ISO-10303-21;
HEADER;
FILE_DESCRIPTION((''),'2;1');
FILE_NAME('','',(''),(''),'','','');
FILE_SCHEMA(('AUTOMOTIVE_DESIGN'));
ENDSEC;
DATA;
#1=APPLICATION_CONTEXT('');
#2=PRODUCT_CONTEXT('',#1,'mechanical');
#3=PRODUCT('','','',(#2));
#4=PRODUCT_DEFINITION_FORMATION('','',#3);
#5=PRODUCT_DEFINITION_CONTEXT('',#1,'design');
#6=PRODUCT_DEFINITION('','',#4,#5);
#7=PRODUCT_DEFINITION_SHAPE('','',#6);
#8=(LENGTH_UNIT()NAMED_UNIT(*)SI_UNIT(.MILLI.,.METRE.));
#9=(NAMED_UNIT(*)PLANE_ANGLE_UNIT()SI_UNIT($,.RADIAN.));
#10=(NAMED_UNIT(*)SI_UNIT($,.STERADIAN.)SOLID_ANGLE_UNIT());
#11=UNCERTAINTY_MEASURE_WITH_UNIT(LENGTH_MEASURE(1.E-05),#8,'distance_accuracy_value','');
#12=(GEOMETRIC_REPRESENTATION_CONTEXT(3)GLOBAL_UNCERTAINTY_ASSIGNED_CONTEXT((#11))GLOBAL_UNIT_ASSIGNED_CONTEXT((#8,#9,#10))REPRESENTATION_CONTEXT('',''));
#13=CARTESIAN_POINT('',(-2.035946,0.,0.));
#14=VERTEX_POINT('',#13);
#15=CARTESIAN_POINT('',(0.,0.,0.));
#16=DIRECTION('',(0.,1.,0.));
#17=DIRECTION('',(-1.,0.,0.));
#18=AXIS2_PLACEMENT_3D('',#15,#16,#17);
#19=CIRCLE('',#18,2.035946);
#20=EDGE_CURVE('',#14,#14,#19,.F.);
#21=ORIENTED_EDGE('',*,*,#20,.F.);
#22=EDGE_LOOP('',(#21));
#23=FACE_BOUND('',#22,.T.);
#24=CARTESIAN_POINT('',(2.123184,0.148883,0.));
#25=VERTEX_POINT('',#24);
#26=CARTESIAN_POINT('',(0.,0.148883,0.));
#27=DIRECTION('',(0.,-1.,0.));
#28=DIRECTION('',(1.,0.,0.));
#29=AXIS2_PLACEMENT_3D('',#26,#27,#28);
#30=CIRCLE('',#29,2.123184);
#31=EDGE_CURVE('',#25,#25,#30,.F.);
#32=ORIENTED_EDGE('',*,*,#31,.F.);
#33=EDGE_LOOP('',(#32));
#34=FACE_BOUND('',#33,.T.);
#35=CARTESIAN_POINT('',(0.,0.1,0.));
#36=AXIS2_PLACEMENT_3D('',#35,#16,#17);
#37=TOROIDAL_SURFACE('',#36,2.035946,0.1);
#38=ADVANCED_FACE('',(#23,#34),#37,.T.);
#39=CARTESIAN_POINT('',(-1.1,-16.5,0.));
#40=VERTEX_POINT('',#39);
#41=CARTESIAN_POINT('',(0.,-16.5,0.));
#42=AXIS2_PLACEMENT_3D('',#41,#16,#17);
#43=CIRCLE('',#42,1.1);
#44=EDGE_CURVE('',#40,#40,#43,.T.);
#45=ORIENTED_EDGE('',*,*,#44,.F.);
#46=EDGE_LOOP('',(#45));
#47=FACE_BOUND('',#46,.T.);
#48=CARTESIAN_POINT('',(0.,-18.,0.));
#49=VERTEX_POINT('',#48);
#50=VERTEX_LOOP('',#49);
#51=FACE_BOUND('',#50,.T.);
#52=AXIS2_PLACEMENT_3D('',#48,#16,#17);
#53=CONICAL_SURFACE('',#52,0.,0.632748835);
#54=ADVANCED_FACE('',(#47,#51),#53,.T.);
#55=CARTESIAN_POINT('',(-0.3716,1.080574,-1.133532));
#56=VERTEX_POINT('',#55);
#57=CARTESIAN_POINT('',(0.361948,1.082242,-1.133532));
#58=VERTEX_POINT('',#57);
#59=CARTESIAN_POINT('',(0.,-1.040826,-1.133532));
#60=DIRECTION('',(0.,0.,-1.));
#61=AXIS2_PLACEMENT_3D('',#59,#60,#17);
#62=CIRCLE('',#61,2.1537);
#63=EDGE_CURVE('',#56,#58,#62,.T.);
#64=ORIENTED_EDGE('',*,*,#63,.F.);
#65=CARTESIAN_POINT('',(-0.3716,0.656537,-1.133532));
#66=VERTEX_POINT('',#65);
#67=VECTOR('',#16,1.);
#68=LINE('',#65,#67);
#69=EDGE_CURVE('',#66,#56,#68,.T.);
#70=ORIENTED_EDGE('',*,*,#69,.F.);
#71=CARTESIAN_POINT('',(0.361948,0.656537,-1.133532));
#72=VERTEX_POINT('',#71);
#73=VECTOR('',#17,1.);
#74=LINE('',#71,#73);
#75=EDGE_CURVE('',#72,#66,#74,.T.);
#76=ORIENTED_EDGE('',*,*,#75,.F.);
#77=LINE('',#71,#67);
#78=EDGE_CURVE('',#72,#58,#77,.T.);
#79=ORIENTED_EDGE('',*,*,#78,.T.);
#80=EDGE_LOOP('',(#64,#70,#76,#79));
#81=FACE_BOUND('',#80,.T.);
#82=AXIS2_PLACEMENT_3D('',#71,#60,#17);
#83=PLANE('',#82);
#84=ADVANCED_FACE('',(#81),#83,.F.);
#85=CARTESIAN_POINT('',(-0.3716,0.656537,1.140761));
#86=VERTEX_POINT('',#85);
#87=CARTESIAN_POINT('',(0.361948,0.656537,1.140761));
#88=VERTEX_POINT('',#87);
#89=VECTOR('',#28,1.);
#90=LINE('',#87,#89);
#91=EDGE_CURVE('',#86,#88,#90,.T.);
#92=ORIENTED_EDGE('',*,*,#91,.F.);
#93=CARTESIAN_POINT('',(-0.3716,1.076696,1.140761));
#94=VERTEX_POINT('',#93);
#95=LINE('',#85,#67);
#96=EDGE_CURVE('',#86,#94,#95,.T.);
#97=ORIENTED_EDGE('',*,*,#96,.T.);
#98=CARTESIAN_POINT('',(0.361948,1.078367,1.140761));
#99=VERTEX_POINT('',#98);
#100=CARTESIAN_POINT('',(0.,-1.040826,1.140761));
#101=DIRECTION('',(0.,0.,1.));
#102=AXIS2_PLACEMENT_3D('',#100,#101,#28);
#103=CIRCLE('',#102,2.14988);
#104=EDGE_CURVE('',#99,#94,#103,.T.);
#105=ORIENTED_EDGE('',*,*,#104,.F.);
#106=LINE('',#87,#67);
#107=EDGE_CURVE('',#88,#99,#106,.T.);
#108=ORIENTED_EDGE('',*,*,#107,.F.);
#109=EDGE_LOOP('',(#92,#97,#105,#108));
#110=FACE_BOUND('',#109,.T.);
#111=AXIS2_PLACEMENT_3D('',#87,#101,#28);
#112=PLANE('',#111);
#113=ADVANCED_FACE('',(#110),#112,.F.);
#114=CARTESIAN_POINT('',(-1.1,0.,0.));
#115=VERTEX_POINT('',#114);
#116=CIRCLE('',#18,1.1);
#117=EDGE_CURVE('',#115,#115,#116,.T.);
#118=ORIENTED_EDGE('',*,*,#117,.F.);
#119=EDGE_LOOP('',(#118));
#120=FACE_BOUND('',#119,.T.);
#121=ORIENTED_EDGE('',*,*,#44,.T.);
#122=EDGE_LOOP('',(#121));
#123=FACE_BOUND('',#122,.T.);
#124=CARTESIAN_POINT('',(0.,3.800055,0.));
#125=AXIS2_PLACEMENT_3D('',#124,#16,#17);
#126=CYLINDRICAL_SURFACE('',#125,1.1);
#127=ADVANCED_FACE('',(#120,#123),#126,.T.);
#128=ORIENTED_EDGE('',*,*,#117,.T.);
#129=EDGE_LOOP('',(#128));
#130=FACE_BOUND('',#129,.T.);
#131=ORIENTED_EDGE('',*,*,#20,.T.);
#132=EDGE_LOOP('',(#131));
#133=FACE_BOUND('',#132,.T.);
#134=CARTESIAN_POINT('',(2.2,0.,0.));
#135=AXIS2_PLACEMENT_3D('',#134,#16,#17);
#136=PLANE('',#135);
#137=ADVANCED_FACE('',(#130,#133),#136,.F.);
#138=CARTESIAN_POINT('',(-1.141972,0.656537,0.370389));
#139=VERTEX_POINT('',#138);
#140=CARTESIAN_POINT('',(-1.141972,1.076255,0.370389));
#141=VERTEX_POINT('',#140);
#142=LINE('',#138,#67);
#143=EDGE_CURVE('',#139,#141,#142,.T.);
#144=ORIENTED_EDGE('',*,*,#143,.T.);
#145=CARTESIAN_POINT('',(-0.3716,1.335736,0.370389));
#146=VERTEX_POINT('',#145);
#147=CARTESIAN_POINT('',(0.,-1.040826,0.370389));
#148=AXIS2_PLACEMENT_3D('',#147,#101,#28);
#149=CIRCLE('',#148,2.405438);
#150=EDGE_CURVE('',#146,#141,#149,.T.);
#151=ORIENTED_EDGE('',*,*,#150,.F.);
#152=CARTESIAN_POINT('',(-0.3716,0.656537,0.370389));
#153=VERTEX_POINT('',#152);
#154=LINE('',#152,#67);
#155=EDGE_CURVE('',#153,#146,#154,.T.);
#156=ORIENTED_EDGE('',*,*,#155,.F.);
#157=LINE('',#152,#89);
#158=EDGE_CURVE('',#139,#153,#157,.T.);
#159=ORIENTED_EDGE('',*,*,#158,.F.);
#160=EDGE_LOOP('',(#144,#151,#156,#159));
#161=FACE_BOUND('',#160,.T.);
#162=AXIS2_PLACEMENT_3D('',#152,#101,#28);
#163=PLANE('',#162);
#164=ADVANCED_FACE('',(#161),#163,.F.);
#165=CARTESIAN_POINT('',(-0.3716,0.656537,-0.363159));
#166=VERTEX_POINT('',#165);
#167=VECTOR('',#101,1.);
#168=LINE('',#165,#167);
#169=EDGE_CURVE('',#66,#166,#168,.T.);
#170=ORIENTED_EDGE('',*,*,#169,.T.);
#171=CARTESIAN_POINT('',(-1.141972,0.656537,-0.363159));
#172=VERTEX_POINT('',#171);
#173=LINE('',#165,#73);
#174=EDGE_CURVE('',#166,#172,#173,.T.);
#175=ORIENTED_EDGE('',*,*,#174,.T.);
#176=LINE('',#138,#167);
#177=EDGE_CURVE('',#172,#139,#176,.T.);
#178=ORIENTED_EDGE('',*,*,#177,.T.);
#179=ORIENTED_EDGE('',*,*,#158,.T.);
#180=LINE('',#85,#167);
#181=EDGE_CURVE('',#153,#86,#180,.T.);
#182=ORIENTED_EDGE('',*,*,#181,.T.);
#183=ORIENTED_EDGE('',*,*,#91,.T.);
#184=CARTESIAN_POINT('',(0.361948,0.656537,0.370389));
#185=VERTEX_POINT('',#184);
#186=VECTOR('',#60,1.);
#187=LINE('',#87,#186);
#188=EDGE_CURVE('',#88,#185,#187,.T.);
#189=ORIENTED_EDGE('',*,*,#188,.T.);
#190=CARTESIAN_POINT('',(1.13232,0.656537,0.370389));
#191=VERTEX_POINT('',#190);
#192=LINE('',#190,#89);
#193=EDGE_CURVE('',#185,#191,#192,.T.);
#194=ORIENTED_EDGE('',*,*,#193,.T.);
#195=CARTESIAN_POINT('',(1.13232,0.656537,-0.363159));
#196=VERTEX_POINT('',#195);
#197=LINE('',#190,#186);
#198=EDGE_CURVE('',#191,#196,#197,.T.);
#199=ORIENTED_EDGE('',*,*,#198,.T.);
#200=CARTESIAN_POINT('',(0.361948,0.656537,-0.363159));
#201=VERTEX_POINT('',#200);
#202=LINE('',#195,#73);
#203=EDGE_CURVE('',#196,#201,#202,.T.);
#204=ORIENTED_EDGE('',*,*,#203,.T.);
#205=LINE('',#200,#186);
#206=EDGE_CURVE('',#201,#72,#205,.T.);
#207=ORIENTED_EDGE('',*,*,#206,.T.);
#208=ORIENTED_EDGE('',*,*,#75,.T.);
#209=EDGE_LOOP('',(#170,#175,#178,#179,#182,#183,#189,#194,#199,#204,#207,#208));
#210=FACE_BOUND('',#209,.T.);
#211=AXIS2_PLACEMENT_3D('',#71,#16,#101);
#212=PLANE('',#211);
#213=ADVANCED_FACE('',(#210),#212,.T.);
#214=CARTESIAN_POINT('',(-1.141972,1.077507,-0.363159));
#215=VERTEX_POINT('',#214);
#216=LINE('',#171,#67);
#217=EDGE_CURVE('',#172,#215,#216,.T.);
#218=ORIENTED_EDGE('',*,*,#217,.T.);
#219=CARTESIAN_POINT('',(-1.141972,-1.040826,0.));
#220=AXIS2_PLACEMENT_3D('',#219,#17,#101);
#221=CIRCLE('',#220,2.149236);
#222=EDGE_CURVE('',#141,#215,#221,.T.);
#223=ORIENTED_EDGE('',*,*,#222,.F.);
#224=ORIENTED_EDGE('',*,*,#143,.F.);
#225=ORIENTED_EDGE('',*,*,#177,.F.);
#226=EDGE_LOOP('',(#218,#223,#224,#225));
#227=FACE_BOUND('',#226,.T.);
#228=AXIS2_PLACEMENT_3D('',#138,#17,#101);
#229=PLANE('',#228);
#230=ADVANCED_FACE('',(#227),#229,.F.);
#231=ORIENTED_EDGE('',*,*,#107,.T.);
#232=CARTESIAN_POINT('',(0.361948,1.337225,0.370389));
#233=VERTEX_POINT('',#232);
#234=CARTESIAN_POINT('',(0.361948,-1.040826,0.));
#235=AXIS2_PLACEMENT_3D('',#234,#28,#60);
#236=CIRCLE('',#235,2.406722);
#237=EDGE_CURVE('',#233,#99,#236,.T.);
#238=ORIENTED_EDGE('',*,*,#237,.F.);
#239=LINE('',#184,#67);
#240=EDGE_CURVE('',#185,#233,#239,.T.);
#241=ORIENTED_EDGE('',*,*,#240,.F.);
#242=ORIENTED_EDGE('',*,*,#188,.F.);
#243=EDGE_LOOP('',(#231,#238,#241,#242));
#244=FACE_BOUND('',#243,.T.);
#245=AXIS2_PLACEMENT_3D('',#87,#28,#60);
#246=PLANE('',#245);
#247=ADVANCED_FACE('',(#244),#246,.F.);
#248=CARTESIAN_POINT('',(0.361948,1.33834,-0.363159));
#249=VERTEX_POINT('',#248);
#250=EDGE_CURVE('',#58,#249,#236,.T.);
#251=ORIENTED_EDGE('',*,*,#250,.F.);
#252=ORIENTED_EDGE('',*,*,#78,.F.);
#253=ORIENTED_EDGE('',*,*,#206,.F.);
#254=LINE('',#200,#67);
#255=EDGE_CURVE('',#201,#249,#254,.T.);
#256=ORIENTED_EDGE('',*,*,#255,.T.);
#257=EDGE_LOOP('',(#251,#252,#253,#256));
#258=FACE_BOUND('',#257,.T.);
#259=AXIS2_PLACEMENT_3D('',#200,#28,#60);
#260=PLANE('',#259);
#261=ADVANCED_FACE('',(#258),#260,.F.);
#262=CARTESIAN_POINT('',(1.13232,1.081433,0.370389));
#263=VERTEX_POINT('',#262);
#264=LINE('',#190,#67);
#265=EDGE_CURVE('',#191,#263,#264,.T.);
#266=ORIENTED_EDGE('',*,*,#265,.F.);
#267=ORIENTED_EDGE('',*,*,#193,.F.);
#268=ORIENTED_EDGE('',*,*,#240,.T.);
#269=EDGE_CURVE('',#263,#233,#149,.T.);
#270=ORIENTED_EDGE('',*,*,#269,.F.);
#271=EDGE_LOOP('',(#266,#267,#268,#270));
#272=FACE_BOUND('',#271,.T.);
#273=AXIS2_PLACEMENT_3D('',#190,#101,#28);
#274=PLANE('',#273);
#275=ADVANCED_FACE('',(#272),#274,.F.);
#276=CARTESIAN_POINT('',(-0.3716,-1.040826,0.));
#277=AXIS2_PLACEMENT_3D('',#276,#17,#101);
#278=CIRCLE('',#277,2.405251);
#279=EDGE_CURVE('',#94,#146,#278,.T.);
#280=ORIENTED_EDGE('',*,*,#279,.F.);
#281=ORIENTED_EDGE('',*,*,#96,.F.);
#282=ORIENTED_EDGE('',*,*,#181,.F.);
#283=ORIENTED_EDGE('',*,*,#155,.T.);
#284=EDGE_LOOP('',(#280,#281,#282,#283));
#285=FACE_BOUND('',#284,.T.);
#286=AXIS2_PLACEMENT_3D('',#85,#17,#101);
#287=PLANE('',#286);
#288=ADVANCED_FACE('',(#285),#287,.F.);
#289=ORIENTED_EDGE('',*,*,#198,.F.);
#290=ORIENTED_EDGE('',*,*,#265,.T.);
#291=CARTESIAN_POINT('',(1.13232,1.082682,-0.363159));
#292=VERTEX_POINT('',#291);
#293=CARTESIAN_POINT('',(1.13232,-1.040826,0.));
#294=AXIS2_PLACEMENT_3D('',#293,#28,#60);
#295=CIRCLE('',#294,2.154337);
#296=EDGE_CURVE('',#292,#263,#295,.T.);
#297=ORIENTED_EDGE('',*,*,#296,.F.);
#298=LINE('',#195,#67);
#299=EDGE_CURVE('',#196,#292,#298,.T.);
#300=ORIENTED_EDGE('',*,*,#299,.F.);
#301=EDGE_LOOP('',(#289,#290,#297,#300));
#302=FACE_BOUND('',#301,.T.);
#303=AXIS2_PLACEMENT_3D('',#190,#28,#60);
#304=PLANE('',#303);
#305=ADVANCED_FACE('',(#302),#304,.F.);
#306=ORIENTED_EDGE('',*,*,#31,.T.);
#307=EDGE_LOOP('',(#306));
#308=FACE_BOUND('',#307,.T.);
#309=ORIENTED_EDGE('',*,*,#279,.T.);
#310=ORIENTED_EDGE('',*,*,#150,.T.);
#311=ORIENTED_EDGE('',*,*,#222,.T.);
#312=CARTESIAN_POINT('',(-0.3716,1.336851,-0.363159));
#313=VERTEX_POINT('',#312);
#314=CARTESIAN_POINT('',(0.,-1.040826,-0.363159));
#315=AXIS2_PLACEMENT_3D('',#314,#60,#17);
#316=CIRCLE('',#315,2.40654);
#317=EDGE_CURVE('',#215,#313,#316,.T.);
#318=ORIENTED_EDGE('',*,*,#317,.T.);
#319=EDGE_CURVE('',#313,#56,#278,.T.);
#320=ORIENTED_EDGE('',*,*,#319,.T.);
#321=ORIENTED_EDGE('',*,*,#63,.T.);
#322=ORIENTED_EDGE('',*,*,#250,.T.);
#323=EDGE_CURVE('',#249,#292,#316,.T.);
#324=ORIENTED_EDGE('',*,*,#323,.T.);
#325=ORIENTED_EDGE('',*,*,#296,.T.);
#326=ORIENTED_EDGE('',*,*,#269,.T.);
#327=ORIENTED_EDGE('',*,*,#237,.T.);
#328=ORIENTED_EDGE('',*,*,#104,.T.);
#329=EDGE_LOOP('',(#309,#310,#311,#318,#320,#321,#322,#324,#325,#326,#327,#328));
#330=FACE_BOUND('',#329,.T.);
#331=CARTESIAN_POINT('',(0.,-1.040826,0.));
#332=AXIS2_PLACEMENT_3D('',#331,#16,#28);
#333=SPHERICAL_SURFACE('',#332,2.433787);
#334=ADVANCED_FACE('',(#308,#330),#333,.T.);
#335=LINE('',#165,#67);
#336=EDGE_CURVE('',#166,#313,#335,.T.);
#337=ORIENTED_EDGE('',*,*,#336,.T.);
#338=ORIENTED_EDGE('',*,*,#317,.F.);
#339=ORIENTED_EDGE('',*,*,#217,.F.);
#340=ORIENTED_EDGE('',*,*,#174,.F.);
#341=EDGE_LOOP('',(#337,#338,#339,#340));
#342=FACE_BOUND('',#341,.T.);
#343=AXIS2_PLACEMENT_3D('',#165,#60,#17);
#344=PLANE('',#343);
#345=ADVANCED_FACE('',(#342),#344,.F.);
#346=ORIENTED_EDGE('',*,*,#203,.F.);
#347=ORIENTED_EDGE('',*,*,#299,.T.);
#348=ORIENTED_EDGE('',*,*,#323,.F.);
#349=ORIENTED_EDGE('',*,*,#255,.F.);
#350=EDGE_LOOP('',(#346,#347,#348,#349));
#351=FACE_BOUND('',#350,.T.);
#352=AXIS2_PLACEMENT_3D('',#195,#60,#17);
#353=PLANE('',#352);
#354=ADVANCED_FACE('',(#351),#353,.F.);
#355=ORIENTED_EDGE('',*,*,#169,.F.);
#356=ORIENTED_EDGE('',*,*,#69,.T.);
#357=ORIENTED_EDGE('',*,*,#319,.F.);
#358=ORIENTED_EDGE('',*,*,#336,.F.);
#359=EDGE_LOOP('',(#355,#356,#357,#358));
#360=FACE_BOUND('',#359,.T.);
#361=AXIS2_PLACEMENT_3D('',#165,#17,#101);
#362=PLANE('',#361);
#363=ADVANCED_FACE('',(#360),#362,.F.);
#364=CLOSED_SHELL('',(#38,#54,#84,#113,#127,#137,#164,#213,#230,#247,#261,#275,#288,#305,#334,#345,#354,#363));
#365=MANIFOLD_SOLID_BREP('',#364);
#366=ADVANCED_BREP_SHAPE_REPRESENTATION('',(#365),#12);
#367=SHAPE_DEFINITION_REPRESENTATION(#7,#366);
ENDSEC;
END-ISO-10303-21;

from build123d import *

# Parameters (mm, degrees)
CONG_1_R                = 0.1
ENL_V_MAT_EXTRU_1_DEPTH = 0.5


with BuildPart() as part:
    # Esquisse1 → Révolution1 (revolve)
    with BuildSketch(Plane.XY):
        with BuildLine():
            Line((2.2, 0), (1.1, 0))
            Line((1.1, 0), (1.1, -16.5))
            Line((1.1, -16.5), (0, -18))
            Line((0, -18), (0, 1.392961166))
            ThreePointArc((0, 1.392961166), (1.301954378, 1.015441113), (2.2, 0))
        make_face()
    revolve(axis=Axis((0, 3.800054794, 0), (0, -1, 0)))

    # Congé1
    cong_1_edges = [part.edges().sort_by_distance(p)[0] for p in [
        (-2.2, 0, 0),
    ]]
    fillet(cong_1_edges, radius=CONG_1_R)

    # Esquisse2 → Enlèv. mat.-Extru.1 (cut, symmetric)
    with BuildSketch(Plane(origin=(0, 1.15653742, 0), x_dir=(-1, 0, 0), z_dir=(0, 1, 0))):
        Polygon((-0.361948003, 1.140760916), (0.37159995, 1.140760916), (0.37159995, 0.37038863), (1.141972235, 0.37038863), (1.141972235, -0.363159322), (0.37159995, -0.363159322), (0.37159995, -1.133531608), (-0.361948003, -1.133531608), (-0.361948003, -0.363159322), (-1.132320288, -0.363159322), (-1.132320288, 0.37038863), (-0.361948003, 0.37038863), align=None)
    extrude(amount=ENL_V_MAT_EXTRU_1_DEPTH, both=True, mode=Mode.SUBTRACT)


solid = part.part
